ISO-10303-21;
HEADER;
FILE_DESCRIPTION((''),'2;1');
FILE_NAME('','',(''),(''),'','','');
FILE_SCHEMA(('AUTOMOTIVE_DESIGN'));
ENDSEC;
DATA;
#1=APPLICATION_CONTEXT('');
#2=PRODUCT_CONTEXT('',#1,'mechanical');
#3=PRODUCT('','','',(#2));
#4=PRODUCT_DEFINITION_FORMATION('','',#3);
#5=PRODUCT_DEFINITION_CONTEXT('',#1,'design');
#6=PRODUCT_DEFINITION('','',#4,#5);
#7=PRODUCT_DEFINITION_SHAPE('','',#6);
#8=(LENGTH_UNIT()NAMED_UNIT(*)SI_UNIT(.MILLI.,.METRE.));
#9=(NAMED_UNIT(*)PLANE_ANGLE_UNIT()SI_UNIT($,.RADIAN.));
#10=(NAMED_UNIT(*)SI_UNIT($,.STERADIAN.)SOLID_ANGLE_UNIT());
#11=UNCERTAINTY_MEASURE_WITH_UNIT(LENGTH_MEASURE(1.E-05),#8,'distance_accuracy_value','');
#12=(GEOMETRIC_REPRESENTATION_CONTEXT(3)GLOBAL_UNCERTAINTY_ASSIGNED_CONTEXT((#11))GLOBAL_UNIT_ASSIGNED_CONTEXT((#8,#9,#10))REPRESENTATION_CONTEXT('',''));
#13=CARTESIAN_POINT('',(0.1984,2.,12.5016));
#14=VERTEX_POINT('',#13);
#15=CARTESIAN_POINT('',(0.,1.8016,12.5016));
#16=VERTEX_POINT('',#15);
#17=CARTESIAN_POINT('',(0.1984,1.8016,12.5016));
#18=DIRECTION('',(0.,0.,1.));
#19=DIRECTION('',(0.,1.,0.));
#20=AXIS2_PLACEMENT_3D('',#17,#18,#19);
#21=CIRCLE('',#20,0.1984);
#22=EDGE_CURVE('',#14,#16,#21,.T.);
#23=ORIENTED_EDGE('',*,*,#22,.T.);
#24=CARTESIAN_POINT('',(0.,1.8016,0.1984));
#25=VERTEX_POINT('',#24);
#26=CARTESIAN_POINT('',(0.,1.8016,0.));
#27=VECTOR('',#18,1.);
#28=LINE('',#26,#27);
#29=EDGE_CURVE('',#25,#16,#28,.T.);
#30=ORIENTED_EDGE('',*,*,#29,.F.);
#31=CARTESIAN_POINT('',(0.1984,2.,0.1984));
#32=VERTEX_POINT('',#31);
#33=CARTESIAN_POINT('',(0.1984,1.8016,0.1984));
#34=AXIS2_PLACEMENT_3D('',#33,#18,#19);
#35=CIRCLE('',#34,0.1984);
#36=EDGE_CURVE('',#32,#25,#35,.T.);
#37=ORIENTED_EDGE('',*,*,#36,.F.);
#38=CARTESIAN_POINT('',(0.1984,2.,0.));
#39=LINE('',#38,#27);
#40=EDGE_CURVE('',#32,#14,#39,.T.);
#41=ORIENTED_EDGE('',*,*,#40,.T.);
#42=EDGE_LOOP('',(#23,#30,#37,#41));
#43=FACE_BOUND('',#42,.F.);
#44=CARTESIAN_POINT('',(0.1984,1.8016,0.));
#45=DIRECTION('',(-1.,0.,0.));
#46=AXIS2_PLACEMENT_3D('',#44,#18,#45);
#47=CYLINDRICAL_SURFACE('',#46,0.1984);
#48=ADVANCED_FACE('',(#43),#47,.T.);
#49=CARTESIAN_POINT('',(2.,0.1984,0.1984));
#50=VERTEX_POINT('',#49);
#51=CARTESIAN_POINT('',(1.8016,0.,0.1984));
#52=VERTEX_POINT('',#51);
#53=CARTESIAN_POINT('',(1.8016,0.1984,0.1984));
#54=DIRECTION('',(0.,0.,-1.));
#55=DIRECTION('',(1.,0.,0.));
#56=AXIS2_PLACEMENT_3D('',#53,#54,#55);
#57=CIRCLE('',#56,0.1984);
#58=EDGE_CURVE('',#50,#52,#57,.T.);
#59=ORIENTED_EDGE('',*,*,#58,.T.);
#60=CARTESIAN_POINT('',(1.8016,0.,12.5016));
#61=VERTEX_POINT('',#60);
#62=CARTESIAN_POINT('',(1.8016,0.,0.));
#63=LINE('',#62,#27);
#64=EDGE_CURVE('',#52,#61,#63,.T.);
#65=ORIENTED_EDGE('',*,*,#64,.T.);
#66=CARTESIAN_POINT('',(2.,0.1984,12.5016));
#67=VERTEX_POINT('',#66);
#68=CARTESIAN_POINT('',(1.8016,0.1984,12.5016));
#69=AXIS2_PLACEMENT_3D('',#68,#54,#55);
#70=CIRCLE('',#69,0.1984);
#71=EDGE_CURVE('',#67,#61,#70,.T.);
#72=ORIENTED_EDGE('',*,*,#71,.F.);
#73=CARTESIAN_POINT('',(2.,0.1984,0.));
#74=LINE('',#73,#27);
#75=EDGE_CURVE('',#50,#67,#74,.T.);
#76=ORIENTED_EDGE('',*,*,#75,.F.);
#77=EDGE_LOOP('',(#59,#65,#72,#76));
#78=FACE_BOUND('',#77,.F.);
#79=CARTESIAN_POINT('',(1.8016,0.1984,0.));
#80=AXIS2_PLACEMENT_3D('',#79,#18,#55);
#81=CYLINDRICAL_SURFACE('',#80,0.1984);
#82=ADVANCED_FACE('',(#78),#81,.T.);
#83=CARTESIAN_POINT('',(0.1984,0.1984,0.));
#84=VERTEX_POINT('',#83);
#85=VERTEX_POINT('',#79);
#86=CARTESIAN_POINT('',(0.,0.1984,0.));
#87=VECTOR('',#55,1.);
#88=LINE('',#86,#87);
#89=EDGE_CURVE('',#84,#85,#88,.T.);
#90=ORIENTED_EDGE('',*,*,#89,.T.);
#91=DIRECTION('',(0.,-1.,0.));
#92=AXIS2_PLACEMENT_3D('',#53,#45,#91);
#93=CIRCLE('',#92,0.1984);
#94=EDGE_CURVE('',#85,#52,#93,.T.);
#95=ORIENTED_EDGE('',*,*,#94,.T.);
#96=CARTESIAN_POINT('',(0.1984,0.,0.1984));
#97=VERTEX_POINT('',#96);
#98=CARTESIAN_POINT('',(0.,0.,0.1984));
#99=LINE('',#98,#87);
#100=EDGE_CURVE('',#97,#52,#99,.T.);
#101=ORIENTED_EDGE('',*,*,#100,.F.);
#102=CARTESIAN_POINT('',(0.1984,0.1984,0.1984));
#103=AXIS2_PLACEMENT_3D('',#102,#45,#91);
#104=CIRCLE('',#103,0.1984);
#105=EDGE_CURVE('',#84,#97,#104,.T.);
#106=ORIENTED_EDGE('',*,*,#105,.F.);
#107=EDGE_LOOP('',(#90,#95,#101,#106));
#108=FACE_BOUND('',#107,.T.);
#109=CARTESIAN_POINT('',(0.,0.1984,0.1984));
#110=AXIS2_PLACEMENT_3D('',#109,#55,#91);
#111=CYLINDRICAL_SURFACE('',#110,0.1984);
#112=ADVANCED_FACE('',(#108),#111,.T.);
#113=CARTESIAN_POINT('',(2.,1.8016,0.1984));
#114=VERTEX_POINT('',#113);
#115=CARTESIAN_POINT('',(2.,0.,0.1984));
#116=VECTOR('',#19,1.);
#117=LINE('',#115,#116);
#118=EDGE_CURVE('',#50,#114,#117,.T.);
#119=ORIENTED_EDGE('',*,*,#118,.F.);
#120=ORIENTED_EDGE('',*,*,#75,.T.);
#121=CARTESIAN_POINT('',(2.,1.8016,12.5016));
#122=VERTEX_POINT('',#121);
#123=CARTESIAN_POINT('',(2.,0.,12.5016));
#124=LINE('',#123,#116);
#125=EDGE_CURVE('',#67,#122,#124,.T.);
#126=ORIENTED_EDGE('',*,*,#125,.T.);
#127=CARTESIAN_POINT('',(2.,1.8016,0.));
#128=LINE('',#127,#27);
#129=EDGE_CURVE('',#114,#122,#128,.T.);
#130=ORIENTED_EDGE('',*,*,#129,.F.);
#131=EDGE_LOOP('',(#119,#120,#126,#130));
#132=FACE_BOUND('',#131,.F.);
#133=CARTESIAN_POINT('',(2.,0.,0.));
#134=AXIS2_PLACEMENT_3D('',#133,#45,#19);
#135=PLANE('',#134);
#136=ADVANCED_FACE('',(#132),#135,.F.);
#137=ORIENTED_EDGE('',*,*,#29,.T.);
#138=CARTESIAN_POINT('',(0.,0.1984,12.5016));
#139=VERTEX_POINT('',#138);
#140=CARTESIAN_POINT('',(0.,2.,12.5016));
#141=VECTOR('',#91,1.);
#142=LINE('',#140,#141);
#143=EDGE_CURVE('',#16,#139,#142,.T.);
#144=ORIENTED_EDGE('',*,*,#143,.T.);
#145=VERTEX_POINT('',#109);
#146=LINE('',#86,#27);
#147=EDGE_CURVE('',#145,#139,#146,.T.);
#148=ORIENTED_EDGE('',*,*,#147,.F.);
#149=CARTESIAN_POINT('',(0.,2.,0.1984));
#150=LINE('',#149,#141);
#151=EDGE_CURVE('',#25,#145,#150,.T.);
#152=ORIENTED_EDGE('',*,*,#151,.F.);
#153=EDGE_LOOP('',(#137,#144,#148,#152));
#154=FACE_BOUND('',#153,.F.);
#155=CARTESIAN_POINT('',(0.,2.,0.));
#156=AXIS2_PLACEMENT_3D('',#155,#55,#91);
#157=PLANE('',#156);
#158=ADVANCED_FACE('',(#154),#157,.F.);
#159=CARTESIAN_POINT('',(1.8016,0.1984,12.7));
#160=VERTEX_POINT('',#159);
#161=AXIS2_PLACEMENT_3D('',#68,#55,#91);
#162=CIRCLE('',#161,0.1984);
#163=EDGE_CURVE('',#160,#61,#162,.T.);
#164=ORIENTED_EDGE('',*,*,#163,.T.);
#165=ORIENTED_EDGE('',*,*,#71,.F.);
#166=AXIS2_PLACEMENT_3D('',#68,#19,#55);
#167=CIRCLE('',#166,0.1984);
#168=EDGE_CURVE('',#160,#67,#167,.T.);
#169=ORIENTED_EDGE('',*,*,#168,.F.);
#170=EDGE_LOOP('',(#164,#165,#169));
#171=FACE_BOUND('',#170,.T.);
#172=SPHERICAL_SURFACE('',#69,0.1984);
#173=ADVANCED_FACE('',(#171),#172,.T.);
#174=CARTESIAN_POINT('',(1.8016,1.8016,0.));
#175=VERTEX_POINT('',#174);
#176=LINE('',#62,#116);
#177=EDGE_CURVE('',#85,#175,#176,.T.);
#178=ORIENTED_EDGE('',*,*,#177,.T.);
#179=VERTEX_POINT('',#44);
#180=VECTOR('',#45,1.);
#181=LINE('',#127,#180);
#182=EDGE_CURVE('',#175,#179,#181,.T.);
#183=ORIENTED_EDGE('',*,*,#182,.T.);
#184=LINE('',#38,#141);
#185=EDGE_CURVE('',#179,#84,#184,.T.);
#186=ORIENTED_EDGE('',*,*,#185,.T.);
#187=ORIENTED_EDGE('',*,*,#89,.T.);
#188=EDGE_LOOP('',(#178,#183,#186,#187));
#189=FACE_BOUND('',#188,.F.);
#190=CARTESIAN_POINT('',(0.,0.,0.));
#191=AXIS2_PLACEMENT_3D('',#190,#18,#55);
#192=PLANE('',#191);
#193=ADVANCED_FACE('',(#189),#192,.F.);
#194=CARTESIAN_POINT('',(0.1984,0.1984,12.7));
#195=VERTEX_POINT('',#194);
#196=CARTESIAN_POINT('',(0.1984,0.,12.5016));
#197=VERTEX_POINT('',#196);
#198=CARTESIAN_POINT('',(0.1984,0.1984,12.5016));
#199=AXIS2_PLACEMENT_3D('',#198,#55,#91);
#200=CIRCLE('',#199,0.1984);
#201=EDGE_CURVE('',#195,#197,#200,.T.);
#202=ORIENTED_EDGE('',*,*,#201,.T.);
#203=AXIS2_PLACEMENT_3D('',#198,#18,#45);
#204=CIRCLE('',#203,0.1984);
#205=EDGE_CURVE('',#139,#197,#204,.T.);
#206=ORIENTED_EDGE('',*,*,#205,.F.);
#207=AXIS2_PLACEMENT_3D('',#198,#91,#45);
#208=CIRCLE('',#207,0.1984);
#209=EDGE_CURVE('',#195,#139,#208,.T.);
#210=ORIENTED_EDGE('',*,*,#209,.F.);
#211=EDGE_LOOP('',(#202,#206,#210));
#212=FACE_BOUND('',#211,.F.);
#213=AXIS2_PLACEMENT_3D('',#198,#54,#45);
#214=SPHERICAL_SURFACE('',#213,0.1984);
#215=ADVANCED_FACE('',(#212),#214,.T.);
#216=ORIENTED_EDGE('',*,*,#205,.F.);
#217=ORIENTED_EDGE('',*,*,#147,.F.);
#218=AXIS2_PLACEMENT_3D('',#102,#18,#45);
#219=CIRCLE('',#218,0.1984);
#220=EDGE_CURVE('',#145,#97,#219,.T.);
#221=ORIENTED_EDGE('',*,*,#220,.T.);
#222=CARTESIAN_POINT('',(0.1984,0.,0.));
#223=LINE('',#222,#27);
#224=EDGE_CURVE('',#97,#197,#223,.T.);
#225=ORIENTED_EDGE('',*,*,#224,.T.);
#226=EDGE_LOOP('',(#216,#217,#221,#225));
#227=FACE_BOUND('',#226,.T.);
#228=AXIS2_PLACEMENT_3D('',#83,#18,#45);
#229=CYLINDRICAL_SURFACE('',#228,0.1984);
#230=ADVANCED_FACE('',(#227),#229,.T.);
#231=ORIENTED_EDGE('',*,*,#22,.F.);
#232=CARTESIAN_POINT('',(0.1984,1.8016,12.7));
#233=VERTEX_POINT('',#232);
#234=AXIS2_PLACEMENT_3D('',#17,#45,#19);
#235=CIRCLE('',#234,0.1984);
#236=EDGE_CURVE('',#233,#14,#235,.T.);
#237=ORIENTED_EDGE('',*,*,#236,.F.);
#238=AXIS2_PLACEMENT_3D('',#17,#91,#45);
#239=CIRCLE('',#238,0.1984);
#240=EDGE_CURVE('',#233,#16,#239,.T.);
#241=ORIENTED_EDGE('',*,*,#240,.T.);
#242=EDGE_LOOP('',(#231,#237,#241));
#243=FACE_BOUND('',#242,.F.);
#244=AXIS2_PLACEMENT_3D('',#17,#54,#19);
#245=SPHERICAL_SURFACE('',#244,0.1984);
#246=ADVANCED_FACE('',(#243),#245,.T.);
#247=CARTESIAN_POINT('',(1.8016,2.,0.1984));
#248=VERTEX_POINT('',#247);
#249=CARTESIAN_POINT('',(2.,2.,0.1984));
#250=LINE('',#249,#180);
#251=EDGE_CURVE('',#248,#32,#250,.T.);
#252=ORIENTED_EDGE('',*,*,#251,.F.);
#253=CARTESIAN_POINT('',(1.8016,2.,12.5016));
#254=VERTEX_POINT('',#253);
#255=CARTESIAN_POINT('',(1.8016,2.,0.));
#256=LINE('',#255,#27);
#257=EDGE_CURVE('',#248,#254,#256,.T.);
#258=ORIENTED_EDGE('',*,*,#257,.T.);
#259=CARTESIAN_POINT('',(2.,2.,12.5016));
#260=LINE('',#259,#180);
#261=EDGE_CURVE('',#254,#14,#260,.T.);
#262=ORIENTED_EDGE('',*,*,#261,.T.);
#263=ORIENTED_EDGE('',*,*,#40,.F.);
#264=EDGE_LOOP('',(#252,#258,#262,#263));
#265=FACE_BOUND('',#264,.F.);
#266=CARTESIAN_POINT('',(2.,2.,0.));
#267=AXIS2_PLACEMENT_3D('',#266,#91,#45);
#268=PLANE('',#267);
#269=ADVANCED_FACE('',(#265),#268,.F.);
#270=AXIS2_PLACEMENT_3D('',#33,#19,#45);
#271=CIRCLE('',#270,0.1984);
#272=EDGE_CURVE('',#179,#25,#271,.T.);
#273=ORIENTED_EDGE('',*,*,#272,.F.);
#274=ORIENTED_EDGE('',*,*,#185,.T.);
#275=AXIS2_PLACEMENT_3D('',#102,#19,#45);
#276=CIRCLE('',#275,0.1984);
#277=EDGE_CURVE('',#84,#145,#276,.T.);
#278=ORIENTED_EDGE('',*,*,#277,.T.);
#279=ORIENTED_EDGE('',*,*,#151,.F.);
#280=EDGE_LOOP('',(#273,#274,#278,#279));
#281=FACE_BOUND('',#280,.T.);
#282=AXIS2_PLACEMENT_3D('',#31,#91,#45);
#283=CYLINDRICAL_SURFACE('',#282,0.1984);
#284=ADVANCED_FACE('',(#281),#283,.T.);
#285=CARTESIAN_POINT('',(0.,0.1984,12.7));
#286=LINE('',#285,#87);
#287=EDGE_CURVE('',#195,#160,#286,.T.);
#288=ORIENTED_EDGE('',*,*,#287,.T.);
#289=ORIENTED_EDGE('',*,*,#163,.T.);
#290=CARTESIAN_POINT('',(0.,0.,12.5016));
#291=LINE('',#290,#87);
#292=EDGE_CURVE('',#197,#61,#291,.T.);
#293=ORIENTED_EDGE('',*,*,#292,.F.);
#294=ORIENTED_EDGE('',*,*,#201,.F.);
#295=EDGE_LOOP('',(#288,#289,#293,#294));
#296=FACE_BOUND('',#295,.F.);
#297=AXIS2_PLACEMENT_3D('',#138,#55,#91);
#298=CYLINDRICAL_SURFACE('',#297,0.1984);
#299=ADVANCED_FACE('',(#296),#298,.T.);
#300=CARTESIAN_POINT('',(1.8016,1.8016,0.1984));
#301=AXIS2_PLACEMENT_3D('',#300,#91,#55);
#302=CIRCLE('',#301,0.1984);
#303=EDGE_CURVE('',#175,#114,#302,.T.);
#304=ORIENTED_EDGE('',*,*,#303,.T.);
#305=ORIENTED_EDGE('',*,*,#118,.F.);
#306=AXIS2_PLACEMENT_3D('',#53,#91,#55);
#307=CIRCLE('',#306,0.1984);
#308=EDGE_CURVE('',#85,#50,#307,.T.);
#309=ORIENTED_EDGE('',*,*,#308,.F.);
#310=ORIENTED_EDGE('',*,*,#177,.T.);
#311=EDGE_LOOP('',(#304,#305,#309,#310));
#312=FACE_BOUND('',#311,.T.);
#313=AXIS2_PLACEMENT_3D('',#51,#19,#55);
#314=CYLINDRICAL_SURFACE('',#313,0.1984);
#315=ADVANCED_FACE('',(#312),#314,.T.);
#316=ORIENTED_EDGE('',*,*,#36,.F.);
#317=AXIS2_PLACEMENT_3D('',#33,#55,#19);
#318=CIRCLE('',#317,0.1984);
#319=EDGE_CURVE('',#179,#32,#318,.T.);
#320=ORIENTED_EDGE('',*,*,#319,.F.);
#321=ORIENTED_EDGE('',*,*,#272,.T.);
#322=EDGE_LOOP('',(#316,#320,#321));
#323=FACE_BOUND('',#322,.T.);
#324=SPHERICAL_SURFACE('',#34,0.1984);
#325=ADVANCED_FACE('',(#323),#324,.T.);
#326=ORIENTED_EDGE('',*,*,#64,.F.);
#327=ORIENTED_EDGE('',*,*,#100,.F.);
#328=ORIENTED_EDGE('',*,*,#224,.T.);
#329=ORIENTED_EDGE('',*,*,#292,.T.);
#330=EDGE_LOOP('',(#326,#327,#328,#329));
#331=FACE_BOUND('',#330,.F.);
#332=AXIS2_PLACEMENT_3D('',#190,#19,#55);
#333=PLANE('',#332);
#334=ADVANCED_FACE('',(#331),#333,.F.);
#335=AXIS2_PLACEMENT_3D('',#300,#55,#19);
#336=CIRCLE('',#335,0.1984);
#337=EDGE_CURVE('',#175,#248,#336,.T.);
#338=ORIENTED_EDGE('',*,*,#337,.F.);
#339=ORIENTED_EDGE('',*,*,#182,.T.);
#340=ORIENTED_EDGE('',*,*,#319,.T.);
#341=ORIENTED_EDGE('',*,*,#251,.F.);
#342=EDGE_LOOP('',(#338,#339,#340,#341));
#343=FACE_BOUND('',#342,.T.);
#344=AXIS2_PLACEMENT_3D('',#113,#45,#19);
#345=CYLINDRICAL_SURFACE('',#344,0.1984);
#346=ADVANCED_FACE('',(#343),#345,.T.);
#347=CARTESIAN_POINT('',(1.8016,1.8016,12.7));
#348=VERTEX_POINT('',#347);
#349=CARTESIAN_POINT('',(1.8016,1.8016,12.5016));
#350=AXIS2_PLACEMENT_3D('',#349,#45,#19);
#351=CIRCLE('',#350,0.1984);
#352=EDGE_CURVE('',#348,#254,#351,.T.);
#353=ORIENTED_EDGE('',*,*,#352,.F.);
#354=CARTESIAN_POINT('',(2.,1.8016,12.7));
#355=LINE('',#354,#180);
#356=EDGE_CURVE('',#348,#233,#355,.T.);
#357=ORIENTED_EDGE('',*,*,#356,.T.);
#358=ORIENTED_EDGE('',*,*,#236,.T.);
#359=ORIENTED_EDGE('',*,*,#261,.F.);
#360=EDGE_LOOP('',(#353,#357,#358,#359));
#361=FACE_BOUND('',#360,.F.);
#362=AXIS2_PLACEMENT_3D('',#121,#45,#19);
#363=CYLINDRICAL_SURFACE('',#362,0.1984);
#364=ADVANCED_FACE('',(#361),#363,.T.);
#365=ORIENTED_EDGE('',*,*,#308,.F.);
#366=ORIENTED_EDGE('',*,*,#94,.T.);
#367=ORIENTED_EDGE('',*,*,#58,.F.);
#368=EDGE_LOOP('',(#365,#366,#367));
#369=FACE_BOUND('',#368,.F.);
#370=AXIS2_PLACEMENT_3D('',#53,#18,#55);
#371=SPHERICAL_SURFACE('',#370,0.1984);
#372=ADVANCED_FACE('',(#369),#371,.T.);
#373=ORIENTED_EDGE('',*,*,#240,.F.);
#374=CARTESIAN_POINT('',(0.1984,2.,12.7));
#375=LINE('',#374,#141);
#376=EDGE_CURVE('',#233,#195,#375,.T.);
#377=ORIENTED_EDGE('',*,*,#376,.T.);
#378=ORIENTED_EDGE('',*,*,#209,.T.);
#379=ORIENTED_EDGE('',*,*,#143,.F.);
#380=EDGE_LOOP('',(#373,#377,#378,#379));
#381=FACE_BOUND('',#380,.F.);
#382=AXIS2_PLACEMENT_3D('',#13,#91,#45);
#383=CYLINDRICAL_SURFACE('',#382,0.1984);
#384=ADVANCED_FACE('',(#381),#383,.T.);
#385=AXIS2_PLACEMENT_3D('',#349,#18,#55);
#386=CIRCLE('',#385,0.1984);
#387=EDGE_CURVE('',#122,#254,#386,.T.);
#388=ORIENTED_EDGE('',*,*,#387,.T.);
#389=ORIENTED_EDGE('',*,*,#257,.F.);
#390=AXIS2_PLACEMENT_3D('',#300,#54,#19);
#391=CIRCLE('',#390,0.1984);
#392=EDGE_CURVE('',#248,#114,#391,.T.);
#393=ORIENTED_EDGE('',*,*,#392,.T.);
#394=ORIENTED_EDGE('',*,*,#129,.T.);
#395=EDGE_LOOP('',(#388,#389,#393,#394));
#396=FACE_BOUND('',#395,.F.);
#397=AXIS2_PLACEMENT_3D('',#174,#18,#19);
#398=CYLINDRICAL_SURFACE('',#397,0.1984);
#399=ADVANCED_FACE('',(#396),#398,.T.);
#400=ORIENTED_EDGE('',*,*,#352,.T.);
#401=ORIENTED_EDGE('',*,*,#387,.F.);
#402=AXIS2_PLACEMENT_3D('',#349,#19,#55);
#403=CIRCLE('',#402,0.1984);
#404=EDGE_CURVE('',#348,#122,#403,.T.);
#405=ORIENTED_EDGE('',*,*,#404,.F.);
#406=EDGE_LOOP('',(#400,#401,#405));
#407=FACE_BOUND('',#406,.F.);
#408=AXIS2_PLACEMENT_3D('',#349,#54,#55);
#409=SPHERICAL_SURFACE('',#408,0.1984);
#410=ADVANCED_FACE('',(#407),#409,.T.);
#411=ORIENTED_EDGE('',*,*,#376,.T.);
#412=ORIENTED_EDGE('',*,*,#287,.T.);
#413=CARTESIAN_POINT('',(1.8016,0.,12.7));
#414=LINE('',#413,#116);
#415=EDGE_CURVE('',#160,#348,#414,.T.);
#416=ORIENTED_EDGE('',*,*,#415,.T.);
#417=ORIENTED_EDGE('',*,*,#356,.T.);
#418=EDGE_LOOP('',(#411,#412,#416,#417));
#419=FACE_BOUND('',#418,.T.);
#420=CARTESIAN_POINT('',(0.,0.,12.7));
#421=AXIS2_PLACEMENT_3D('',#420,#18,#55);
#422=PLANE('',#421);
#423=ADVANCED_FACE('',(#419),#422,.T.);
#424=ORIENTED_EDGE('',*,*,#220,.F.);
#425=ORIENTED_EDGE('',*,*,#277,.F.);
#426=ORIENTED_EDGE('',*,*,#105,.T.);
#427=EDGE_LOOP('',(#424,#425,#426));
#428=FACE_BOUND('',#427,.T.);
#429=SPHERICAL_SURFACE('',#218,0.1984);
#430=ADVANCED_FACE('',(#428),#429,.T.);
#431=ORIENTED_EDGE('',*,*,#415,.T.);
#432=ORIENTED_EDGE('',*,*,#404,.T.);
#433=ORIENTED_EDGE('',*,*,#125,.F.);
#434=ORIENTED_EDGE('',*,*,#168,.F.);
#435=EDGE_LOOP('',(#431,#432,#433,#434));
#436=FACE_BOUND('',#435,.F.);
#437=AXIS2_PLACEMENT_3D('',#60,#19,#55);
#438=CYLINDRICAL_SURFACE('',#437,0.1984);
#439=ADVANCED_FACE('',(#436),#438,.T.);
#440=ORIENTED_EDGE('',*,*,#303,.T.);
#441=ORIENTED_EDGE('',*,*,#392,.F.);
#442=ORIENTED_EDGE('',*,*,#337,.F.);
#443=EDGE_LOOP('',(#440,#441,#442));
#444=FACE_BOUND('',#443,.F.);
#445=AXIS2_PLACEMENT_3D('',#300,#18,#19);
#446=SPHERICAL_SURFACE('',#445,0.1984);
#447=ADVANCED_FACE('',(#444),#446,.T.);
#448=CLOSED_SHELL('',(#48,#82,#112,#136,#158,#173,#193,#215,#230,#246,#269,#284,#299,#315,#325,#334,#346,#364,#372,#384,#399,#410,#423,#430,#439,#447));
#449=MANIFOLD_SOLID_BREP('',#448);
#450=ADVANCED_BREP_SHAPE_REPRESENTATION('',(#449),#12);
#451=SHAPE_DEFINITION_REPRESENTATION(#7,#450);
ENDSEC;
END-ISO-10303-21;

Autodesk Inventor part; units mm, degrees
ref_plane "YZ Plane" through (0, 0, 0) normal (1, 0, 0) x (0, 1, 0)
ref_plane "XZ Plane" through (0, 0, 0) normal (0, 1, 0) x (-1, 0, 0)
ref_plane "XY Plane" through (0, 0, 0) normal (0, 0, 1) x (1, 0, 0)
sketch "Sketch1" plane through (0, 0, 0) normal (0, 0, 1) x (1, 0, 0)
  line L0 (0, 0) -> (2, 0)
  line L1 (2, 0) -> (2, 2)
  line L2 (2, 2) -> (0, 2)
  line L3 (0, 2) -> (0, 0)
  dimension "d0" = 2
  dimension "d1" = 2
extrude "Extrusion1" add sketch "Sketch1" along normal blind 12.7
fillet "Fillet1" radius 0.1984 12 edges at (2, 2, 6.35) (0, 2, 6.35) (0, 0, 6.35) (2, 0, 6.35) (2, 1, 12.7) (1, 2, 12.7) (0, 1, 12.7) (1, 0, 12.7) (1, 2, 0) (2, 1, 0) (0, 1, 0) (1, 0, 0)
properties part number "2 mm Sqaure Key Stock"
